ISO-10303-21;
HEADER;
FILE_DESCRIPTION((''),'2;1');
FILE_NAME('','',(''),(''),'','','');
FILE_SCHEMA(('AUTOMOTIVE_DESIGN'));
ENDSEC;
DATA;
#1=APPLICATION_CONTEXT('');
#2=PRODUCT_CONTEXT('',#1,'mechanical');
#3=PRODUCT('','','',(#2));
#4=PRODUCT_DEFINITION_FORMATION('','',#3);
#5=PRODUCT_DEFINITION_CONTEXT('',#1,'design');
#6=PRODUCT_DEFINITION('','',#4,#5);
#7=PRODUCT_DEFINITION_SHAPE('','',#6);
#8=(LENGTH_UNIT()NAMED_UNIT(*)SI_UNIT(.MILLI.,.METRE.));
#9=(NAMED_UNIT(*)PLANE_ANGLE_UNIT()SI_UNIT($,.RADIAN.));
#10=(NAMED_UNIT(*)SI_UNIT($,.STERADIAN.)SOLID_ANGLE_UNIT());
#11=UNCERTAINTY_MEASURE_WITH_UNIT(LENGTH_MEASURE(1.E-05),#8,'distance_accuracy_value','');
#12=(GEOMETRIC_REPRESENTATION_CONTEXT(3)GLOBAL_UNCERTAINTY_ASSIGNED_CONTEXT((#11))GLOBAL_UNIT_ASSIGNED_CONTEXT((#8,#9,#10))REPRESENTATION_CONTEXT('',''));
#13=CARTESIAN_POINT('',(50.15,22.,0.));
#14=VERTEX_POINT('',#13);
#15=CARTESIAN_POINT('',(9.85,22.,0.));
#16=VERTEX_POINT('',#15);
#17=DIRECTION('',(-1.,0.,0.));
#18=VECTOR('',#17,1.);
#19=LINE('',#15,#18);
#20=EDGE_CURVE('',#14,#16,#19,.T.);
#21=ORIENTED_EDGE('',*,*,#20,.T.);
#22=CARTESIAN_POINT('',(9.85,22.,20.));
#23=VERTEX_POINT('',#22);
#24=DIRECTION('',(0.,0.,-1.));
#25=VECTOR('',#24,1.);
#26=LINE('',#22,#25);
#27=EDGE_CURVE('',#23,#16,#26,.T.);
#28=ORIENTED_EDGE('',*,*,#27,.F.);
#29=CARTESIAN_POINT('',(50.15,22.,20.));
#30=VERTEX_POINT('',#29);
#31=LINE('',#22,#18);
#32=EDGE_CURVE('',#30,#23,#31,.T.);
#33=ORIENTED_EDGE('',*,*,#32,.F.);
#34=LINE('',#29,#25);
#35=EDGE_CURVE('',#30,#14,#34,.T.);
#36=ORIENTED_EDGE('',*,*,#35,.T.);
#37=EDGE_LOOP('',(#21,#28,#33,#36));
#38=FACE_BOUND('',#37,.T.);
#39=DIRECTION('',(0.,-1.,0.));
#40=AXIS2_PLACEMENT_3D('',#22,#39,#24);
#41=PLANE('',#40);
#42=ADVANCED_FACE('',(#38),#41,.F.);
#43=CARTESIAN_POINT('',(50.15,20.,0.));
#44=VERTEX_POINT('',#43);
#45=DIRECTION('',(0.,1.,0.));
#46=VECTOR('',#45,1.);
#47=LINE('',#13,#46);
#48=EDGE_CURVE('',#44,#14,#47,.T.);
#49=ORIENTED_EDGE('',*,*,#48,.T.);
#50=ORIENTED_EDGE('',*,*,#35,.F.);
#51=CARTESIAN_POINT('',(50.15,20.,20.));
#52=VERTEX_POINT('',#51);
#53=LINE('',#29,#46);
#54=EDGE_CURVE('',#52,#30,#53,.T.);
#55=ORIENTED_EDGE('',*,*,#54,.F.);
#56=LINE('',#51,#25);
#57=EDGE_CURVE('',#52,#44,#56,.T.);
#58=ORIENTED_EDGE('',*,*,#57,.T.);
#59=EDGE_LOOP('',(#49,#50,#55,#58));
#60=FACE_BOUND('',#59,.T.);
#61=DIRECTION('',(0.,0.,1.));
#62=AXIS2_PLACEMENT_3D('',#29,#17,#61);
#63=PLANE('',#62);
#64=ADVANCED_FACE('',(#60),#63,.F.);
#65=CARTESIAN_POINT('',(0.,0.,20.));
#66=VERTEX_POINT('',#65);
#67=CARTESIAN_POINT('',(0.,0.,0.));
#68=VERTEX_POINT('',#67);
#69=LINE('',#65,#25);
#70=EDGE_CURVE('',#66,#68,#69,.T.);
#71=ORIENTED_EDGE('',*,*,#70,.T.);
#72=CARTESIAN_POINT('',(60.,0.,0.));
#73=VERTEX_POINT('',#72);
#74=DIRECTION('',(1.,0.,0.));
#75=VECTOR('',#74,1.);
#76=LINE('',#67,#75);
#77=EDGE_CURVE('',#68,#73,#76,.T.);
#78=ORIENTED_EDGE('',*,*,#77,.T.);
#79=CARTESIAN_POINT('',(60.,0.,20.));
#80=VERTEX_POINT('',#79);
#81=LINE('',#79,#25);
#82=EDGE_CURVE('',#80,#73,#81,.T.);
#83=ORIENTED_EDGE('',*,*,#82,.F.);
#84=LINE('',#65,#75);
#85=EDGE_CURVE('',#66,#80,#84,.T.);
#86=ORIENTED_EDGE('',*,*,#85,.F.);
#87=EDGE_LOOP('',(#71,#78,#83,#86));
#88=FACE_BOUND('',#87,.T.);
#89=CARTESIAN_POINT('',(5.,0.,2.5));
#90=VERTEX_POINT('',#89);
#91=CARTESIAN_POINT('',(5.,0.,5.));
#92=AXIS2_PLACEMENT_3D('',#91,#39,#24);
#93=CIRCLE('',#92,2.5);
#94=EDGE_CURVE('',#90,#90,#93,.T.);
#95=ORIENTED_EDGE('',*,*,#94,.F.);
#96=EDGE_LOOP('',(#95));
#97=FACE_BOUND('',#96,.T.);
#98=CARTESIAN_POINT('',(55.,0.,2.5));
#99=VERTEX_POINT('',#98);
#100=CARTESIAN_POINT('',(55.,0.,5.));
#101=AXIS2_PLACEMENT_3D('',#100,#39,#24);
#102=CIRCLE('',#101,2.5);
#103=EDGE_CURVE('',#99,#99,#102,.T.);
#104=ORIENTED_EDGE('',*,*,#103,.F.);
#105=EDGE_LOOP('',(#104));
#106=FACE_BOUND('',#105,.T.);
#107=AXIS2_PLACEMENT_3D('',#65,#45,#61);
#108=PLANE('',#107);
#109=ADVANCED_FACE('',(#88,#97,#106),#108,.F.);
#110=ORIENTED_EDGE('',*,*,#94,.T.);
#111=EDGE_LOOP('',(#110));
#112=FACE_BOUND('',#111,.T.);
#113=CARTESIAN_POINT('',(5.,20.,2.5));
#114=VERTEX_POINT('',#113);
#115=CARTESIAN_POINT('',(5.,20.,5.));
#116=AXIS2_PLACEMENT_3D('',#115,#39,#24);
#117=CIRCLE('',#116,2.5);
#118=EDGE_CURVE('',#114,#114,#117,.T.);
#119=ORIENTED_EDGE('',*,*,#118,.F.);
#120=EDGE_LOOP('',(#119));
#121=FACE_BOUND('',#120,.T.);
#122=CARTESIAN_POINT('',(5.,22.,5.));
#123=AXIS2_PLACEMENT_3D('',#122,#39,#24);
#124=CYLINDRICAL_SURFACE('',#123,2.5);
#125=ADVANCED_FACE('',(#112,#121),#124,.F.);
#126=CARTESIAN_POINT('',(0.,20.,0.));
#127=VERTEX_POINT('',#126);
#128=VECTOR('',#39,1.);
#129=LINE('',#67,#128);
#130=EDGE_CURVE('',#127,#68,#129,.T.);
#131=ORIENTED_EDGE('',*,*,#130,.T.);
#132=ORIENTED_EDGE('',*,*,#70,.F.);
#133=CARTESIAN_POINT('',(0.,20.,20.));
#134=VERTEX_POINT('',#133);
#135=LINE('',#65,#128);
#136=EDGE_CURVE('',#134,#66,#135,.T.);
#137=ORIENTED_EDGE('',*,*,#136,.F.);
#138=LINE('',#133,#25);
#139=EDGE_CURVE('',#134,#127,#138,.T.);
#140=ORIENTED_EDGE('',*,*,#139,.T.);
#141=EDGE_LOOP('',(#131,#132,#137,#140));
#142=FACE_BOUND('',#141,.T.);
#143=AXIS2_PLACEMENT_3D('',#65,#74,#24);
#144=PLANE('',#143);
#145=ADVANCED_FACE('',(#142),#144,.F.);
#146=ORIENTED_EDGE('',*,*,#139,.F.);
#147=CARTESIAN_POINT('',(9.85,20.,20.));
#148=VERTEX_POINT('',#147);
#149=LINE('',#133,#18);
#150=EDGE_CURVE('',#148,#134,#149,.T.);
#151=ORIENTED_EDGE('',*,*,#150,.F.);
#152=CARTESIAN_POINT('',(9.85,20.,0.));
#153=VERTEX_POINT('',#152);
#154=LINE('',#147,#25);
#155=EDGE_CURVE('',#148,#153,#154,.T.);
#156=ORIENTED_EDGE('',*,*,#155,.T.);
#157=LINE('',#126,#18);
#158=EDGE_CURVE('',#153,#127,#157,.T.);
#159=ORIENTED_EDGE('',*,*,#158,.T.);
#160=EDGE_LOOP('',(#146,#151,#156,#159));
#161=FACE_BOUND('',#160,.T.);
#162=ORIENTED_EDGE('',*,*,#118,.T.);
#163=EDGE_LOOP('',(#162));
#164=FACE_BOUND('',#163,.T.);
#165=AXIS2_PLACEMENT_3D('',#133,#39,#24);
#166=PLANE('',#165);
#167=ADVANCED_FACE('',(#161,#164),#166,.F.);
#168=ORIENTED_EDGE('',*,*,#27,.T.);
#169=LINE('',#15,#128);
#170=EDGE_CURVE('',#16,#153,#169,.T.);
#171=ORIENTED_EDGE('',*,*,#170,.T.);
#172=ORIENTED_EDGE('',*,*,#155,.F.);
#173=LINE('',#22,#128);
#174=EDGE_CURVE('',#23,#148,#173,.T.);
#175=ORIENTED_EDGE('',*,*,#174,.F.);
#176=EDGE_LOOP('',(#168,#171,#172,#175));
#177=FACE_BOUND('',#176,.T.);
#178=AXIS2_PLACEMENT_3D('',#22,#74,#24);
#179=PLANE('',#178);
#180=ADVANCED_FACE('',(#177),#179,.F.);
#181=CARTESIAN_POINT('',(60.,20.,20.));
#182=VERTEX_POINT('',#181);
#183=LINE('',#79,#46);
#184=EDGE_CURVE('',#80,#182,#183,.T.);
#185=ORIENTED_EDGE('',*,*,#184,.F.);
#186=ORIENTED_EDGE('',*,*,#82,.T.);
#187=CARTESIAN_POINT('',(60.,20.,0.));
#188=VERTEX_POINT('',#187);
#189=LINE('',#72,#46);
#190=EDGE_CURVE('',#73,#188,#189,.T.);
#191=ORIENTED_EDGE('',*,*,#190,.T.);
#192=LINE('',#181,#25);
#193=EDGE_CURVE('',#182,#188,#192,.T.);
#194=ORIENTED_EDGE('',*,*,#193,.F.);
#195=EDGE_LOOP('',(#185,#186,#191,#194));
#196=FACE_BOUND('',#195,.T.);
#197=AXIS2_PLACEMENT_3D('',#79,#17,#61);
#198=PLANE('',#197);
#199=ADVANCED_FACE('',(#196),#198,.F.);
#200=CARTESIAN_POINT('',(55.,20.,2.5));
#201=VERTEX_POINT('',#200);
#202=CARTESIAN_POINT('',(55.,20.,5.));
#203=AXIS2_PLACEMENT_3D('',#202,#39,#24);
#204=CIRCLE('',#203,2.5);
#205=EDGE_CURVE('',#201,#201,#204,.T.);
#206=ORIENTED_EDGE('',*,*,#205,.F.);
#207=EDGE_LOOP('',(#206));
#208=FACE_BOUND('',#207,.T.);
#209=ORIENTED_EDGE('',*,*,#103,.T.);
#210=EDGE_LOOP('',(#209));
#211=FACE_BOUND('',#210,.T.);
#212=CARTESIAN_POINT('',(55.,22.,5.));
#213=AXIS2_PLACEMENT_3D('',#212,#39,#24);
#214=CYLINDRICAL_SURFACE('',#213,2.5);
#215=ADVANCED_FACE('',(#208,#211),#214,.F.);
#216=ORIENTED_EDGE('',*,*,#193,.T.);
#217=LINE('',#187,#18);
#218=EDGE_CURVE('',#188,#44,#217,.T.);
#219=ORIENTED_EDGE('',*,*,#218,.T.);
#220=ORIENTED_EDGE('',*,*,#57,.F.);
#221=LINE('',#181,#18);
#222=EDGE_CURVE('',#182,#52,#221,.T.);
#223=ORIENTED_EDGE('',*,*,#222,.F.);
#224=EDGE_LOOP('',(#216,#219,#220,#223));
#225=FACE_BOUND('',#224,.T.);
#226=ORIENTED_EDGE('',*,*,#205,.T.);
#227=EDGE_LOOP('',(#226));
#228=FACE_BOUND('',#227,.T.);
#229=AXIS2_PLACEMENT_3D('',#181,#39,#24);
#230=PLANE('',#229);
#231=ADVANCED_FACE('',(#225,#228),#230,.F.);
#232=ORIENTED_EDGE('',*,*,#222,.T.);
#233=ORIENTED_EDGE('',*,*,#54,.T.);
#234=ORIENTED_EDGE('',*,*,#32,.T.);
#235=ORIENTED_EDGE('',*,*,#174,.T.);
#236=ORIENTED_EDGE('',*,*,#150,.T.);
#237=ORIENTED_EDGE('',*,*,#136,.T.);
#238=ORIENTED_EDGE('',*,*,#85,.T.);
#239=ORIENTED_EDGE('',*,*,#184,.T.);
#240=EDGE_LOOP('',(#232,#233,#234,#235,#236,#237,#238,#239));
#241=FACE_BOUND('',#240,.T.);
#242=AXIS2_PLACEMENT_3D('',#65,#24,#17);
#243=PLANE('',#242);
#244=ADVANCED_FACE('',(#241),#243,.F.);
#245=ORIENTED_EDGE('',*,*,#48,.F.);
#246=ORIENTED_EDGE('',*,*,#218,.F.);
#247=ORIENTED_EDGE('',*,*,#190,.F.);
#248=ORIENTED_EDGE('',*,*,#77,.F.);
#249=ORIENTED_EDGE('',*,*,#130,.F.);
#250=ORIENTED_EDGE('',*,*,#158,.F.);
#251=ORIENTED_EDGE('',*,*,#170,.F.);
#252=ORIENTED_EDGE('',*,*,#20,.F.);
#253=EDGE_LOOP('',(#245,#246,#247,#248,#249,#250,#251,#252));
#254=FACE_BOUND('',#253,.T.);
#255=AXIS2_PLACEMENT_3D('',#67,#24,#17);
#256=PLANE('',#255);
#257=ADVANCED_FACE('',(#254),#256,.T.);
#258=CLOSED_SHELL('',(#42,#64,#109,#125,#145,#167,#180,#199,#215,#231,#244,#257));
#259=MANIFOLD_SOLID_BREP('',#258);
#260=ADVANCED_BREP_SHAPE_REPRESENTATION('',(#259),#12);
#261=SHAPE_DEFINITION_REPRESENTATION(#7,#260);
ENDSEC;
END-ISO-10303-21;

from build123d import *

# Parameters (mm, degrees)
BOSS_EXTRUDE1_DEPTH = 20
SKETCH2_R           = 2.5
CUT_EXTRUDE1_DEPTH  = 23


with BuildPart() as part:
    # Sketch1 → Boss-Extrude1 (new body)
    with BuildSketch(Plane.XY):
        Polygon((0, 0), (60, 0), (60, 20), (50.15, 20), (50.15, 22), (9.85, 22), (9.85, 20), (0, 20), align=None)
    extrude(amount=BOSS_EXTRUDE1_DEPTH)

    # Sketch2 → Cut-Extrude1 (cut, through all)
    with BuildSketch(Plane.XZ):
        with Locations((55, 5)):
            Circle(SKETCH2_R)
        with Locations((5, 5)):
            Circle(SKETCH2_R)
    extrude(amount=-CUT_EXTRUDE1_DEPTH, mode=Mode.SUBTRACT)


solid = part.part
